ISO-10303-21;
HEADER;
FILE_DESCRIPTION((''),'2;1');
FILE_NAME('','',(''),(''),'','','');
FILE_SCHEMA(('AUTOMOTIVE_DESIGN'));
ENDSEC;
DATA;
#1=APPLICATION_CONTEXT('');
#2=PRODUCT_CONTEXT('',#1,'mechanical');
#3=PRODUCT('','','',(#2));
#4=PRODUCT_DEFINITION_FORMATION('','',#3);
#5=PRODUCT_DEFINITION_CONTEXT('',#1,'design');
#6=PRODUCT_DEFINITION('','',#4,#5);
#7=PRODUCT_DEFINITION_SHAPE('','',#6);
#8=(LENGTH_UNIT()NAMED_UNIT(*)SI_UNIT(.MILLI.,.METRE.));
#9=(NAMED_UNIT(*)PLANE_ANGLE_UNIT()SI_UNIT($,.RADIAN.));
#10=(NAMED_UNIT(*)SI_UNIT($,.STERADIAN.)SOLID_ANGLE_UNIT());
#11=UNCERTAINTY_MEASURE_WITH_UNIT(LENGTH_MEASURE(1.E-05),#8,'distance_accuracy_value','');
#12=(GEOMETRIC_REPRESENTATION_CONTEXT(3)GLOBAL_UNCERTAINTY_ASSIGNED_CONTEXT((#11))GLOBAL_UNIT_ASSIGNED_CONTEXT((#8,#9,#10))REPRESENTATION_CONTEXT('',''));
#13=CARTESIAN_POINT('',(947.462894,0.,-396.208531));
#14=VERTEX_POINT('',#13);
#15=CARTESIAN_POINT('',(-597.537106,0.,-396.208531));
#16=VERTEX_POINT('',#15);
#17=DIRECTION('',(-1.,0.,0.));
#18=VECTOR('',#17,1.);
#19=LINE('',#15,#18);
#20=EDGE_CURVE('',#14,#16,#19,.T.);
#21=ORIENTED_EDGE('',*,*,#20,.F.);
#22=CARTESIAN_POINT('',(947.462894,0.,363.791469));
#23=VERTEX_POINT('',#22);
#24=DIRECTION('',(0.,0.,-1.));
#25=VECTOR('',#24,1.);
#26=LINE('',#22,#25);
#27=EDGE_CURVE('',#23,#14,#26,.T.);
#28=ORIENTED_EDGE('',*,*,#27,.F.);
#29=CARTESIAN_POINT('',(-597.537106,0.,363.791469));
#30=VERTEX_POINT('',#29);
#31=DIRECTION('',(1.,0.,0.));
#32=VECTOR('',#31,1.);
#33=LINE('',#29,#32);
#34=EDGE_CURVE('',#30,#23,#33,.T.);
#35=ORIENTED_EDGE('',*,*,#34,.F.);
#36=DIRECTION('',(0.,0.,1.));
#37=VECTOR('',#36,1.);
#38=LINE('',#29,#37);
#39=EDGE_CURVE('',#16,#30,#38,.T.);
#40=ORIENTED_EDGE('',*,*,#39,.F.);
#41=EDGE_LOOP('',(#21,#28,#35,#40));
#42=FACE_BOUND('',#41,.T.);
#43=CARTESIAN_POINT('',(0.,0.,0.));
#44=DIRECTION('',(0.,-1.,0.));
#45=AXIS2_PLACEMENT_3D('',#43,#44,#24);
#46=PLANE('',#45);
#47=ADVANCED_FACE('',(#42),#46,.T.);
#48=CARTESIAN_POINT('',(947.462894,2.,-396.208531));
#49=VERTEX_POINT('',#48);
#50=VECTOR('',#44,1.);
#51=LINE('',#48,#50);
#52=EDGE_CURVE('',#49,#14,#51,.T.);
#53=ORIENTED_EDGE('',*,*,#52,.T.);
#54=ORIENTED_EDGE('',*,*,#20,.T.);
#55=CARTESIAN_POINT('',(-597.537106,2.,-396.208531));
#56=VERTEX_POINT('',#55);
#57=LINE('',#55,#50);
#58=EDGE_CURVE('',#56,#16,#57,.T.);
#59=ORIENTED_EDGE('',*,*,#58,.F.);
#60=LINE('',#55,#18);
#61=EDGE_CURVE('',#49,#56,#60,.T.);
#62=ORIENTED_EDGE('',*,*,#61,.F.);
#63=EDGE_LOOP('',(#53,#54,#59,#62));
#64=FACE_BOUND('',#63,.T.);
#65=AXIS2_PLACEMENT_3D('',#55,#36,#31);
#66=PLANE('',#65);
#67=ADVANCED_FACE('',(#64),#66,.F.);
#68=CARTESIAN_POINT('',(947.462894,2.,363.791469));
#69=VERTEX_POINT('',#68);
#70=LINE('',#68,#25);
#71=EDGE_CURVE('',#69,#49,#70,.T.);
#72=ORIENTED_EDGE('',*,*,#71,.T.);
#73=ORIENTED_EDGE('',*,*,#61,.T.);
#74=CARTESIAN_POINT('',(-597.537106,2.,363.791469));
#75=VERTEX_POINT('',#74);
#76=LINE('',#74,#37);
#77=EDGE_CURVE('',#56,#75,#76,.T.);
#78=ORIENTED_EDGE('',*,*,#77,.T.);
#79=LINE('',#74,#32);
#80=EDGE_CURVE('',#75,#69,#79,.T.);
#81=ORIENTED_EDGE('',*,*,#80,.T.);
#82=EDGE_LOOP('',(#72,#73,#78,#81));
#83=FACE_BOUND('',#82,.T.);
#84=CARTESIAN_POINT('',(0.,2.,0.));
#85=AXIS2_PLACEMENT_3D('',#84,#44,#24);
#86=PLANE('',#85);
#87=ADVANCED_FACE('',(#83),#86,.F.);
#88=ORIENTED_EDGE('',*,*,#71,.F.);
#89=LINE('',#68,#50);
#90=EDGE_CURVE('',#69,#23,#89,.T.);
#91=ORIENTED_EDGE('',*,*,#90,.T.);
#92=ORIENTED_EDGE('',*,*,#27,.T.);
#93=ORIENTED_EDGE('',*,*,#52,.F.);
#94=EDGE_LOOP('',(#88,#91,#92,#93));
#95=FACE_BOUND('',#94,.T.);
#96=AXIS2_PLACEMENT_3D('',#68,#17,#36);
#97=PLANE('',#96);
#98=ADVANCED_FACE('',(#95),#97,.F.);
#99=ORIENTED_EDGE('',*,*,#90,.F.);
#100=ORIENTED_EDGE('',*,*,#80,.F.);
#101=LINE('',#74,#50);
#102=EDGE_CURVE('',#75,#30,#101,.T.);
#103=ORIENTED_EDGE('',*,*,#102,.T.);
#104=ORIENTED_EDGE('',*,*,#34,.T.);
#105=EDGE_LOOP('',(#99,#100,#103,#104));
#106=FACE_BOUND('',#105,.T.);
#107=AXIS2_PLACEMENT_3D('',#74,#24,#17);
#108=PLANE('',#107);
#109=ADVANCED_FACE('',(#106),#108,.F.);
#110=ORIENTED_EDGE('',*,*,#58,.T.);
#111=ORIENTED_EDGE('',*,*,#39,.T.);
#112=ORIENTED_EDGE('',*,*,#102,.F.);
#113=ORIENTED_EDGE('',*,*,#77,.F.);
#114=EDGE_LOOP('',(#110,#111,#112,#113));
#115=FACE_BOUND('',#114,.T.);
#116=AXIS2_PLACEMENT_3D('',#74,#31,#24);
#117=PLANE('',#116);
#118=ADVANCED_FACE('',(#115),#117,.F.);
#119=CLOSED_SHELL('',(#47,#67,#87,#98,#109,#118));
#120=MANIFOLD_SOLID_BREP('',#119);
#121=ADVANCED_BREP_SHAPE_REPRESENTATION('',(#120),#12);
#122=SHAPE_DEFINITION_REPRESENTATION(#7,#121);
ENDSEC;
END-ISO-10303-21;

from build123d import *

# Parameters (mm, degrees)
SZKIC1_W                    = 1545
SZKIC1_H                    = 760
DODANIE_WYCI_GNI_CIE1_DEPTH = 2


with BuildPart() as part:
    # Szkic1 → Dodanie-wyciągnięcie1 (new body)
    with BuildSketch(Plane(origin=(0, 0, 0), x_dir=(1, 0, 0), z_dir=(0, 1, 0))):
        with Locations((174.962894273, 16.208530806)):
            Rectangle(SZKIC1_W, SZKIC1_H)
    extrude(amount=DODANIE_WYCI_GNI_CIE1_DEPTH)


solid = part.part
